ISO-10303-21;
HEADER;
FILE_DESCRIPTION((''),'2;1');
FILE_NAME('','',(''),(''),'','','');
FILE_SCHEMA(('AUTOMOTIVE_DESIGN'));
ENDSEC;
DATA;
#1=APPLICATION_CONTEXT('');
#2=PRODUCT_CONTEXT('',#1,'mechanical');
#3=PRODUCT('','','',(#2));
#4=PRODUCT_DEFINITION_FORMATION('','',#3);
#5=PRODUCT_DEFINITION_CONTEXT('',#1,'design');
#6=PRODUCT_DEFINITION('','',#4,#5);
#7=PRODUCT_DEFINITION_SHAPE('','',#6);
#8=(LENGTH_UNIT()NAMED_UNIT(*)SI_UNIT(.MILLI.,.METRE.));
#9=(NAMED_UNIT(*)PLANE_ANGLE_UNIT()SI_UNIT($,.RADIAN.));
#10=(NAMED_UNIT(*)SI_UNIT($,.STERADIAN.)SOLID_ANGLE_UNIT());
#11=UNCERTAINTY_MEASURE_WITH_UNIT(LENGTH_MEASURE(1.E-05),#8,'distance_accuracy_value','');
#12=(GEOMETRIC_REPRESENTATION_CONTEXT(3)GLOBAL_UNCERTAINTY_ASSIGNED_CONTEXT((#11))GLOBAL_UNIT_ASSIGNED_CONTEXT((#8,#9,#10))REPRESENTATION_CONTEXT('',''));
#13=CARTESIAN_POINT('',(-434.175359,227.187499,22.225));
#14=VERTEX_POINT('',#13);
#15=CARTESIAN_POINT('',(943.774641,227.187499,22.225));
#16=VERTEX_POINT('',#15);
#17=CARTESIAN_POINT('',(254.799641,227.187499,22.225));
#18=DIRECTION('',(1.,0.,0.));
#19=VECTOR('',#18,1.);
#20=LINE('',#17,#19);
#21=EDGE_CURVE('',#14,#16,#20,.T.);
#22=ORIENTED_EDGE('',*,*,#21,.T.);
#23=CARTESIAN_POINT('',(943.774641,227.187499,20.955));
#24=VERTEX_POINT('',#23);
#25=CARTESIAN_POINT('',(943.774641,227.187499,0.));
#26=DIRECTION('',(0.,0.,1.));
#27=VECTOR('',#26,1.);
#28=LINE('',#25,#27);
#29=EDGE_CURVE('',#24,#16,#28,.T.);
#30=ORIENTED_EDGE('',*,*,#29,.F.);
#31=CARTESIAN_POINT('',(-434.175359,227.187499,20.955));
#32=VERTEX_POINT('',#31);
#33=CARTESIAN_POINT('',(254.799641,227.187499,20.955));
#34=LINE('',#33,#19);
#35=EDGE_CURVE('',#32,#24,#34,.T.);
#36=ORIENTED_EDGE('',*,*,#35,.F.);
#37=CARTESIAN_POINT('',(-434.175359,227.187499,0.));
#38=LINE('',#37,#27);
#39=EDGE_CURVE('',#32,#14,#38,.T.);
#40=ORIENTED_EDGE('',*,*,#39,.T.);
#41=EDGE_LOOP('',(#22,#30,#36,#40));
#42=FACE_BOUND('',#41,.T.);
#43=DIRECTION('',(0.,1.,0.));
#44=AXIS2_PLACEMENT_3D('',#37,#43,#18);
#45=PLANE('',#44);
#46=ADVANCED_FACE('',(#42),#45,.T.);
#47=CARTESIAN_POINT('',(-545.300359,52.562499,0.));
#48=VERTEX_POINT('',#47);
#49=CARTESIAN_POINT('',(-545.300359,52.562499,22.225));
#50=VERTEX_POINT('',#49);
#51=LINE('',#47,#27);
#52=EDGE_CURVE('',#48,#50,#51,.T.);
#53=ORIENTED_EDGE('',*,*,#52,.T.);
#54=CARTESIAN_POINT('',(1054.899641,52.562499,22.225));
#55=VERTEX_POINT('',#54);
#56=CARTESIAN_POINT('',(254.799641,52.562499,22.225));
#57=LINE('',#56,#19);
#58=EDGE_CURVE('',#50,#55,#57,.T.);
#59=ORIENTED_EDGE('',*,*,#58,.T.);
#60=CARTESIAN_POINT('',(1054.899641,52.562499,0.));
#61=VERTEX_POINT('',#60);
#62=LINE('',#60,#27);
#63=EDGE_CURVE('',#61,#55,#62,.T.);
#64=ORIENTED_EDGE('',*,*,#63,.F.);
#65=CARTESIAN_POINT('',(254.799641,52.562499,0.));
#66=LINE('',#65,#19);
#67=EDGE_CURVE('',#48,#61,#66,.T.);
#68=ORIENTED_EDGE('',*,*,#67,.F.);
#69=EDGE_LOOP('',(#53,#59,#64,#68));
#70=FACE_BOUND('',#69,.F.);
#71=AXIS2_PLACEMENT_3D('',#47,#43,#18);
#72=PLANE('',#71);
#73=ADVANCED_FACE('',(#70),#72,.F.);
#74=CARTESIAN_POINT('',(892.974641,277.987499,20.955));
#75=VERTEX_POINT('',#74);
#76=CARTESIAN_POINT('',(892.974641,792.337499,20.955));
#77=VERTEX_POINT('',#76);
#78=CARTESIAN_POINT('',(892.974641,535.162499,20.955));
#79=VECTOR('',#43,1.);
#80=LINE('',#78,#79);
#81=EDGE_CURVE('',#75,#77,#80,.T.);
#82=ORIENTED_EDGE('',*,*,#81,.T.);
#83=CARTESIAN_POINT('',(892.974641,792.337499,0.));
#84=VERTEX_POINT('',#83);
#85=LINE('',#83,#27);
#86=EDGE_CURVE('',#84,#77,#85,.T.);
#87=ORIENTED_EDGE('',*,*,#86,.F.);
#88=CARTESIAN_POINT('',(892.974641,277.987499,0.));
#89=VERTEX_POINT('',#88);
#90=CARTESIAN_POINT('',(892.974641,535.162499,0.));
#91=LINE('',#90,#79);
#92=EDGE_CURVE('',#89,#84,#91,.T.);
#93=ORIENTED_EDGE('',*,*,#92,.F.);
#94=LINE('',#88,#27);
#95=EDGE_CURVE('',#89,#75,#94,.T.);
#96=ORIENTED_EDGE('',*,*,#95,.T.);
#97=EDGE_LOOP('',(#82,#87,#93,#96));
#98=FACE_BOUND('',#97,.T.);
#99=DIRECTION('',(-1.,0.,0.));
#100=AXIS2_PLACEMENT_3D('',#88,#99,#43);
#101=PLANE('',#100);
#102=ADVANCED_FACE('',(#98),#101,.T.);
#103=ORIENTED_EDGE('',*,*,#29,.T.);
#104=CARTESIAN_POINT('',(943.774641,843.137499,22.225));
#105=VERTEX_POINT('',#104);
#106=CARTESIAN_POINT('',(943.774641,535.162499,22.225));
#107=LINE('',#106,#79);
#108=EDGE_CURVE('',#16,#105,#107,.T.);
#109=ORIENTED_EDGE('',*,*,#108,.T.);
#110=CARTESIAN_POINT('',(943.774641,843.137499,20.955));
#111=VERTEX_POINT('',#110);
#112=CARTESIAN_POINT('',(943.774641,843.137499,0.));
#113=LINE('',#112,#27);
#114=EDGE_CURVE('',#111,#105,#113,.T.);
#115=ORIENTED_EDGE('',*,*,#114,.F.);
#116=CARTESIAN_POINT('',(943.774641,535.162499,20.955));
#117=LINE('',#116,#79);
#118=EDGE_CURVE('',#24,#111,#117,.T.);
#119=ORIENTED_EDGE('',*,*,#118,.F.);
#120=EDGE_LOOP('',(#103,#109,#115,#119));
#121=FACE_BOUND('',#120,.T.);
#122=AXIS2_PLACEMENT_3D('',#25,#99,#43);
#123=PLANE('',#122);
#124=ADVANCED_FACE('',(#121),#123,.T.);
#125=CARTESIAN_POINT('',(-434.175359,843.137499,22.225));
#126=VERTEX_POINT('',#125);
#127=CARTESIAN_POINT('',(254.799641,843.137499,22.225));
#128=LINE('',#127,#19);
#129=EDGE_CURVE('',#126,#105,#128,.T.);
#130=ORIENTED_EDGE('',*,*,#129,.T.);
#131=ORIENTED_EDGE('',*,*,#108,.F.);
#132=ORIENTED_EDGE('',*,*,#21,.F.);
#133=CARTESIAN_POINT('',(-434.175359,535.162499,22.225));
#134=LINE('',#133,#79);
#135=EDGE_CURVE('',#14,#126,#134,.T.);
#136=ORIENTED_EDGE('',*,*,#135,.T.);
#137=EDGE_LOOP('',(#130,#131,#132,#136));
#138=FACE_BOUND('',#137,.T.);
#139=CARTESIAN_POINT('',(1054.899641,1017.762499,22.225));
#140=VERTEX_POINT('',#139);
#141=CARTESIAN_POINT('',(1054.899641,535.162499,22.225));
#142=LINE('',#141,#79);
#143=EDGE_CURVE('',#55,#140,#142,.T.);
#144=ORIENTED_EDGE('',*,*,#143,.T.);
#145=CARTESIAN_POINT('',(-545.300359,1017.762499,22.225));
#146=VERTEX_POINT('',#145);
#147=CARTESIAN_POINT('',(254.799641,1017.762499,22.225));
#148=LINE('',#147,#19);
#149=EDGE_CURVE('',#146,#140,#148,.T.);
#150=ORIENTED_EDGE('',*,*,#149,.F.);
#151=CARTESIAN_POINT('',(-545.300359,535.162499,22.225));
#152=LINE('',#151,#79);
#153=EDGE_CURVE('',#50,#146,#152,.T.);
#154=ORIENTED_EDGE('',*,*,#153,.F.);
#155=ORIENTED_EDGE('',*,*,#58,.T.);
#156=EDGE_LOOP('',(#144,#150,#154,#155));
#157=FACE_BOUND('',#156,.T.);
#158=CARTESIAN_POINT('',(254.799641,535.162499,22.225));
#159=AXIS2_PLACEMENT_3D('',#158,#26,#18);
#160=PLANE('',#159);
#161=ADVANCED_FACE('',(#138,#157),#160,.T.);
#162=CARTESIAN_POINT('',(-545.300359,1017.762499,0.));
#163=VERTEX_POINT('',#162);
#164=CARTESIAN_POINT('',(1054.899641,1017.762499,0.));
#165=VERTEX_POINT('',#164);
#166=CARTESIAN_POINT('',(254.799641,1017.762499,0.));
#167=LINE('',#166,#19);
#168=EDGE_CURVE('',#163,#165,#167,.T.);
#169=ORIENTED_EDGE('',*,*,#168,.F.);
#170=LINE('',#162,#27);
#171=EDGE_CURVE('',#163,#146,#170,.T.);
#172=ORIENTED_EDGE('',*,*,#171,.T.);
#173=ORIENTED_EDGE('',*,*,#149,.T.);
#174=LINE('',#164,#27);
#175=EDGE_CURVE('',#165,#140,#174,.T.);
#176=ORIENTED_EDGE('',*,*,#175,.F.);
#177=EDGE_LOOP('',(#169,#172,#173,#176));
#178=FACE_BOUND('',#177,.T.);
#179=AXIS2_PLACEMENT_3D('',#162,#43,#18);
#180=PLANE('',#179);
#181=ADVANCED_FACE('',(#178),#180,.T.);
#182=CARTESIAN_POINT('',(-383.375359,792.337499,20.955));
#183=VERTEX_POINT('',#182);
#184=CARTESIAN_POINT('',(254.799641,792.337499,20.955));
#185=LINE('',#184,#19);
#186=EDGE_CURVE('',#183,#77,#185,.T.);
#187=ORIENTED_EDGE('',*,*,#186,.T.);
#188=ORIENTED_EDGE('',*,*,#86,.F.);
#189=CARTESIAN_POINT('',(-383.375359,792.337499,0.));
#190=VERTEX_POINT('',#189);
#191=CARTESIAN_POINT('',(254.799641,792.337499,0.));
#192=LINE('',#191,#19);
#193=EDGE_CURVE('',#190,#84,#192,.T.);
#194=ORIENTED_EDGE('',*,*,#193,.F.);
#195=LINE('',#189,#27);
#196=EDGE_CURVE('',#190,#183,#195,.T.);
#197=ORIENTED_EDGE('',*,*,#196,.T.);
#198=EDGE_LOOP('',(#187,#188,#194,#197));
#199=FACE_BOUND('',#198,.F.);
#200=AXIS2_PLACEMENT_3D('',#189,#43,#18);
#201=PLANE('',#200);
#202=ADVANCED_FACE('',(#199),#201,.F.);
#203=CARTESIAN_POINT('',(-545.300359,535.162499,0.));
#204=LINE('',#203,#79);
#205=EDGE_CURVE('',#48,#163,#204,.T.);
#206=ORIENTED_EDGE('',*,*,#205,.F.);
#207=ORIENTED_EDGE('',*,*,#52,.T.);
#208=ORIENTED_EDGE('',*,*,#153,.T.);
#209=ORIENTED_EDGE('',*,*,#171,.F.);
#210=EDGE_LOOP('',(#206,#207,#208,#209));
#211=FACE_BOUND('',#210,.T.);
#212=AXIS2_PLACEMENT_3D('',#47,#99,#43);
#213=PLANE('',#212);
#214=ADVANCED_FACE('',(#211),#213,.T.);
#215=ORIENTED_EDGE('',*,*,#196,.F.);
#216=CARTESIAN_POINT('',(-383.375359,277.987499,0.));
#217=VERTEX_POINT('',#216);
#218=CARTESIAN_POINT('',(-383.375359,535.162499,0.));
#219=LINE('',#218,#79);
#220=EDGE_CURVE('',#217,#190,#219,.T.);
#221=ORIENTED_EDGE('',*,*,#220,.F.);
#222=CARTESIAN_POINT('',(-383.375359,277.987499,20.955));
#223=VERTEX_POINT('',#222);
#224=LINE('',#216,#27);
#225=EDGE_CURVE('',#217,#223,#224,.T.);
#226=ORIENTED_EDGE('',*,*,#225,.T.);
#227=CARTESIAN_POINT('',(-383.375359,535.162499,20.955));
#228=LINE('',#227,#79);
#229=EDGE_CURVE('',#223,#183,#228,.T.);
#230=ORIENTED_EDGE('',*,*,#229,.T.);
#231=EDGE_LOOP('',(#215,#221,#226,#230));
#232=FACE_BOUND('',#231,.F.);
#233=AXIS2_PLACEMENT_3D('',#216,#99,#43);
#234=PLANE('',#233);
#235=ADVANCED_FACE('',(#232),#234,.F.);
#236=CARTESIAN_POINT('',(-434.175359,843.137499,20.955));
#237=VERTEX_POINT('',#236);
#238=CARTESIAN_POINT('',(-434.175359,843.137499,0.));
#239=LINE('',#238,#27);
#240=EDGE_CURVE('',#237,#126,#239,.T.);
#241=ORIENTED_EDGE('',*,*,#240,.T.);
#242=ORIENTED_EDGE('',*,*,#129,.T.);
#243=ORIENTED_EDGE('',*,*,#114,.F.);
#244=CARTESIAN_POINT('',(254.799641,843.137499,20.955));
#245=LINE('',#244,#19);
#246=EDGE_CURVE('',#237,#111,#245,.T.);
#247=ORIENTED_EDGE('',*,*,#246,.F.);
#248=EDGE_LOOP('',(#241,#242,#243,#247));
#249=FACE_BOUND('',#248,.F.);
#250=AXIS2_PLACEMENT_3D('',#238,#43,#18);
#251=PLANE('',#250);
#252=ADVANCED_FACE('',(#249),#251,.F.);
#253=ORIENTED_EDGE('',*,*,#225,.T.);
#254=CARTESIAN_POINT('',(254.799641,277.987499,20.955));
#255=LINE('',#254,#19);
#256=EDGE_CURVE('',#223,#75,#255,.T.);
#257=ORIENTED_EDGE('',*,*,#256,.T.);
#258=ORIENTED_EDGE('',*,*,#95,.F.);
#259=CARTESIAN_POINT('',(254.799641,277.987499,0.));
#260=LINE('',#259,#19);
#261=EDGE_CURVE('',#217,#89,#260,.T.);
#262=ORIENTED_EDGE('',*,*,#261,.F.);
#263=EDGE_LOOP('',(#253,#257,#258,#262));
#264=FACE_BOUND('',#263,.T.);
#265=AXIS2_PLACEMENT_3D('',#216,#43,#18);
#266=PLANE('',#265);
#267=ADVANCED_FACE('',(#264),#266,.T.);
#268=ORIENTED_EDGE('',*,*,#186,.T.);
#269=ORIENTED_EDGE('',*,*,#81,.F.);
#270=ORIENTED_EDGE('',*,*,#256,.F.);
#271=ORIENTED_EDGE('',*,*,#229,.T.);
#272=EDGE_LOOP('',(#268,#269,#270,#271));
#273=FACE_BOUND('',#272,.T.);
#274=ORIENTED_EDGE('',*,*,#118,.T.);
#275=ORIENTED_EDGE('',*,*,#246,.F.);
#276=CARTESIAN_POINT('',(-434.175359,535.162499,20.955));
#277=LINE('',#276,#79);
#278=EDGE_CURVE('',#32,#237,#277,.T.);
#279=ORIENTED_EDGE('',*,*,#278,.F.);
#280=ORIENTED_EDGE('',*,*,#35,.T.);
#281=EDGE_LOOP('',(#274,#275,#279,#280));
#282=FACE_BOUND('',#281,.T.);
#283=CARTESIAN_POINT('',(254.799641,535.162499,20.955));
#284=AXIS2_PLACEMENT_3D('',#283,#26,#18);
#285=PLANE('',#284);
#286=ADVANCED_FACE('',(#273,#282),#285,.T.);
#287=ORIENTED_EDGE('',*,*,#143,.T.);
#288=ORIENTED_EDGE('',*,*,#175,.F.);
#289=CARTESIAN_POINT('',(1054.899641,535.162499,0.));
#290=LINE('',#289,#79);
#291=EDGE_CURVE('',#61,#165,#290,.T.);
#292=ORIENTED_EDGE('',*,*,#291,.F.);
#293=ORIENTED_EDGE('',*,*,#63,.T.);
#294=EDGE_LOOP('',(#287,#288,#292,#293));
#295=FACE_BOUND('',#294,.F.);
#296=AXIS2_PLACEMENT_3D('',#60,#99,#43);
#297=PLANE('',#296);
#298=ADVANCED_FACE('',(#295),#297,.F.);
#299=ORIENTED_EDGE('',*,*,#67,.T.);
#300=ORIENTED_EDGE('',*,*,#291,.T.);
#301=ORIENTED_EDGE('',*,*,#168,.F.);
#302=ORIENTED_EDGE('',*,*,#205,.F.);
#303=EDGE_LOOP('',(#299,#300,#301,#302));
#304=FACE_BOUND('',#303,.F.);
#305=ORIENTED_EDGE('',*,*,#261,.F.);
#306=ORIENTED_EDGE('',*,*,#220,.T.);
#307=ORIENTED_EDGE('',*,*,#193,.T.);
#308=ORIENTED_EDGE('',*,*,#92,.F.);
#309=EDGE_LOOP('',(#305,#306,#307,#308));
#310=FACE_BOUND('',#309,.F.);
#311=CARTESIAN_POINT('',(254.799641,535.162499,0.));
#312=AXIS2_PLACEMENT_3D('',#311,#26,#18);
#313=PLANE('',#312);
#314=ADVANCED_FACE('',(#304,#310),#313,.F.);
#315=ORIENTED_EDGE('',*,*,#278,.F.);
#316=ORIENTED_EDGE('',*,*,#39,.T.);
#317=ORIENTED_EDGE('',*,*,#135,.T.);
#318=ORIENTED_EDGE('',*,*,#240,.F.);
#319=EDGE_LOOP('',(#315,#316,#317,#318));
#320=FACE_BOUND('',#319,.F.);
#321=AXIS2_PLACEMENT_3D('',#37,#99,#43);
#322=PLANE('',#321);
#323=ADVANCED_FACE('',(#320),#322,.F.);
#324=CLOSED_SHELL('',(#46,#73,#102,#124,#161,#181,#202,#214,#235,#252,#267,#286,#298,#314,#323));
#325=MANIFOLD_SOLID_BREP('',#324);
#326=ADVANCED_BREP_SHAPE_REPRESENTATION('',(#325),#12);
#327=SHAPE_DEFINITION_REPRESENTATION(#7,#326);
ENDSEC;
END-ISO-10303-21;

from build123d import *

# Parameters (mm, degrees)
F0_W     = 1600.2
F0_H     = 965.2
F0_W_2   = 1377.95
F0_H_2   = 615.95
F1_DEPTH = 22.225
F0_W_3   = 1276.35
F0_H_3   = 514.35
F2_DEPTH = 20.955


with BuildPart() as f1:
    # F0 (on Top) → F1 (new body)
    with BuildSketch(Plane.XY):
        with Locations((254.799641, 535.162499)):
            Rectangle(F0_W, F0_H)
        with Locations((254.799641, 535.162499)):
            Rectangle(F0_W_2, F0_H_2, mode=Mode.SUBTRACT)
    extrude(amount=F1_DEPTH)

    # F0 (on Top) → F2 (join)
    with BuildSketch(Plane.XY):
        with Locations((254.799641, 535.162499)):
            Rectangle(F0_W_2, F0_H_2)
        with Locations((254.799641, 535.162499)):
            Rectangle(F0_W_3, F0_H_3, mode=Mode.SUBTRACT)
    extrude(amount=F2_DEPTH)


solid = f1.part
